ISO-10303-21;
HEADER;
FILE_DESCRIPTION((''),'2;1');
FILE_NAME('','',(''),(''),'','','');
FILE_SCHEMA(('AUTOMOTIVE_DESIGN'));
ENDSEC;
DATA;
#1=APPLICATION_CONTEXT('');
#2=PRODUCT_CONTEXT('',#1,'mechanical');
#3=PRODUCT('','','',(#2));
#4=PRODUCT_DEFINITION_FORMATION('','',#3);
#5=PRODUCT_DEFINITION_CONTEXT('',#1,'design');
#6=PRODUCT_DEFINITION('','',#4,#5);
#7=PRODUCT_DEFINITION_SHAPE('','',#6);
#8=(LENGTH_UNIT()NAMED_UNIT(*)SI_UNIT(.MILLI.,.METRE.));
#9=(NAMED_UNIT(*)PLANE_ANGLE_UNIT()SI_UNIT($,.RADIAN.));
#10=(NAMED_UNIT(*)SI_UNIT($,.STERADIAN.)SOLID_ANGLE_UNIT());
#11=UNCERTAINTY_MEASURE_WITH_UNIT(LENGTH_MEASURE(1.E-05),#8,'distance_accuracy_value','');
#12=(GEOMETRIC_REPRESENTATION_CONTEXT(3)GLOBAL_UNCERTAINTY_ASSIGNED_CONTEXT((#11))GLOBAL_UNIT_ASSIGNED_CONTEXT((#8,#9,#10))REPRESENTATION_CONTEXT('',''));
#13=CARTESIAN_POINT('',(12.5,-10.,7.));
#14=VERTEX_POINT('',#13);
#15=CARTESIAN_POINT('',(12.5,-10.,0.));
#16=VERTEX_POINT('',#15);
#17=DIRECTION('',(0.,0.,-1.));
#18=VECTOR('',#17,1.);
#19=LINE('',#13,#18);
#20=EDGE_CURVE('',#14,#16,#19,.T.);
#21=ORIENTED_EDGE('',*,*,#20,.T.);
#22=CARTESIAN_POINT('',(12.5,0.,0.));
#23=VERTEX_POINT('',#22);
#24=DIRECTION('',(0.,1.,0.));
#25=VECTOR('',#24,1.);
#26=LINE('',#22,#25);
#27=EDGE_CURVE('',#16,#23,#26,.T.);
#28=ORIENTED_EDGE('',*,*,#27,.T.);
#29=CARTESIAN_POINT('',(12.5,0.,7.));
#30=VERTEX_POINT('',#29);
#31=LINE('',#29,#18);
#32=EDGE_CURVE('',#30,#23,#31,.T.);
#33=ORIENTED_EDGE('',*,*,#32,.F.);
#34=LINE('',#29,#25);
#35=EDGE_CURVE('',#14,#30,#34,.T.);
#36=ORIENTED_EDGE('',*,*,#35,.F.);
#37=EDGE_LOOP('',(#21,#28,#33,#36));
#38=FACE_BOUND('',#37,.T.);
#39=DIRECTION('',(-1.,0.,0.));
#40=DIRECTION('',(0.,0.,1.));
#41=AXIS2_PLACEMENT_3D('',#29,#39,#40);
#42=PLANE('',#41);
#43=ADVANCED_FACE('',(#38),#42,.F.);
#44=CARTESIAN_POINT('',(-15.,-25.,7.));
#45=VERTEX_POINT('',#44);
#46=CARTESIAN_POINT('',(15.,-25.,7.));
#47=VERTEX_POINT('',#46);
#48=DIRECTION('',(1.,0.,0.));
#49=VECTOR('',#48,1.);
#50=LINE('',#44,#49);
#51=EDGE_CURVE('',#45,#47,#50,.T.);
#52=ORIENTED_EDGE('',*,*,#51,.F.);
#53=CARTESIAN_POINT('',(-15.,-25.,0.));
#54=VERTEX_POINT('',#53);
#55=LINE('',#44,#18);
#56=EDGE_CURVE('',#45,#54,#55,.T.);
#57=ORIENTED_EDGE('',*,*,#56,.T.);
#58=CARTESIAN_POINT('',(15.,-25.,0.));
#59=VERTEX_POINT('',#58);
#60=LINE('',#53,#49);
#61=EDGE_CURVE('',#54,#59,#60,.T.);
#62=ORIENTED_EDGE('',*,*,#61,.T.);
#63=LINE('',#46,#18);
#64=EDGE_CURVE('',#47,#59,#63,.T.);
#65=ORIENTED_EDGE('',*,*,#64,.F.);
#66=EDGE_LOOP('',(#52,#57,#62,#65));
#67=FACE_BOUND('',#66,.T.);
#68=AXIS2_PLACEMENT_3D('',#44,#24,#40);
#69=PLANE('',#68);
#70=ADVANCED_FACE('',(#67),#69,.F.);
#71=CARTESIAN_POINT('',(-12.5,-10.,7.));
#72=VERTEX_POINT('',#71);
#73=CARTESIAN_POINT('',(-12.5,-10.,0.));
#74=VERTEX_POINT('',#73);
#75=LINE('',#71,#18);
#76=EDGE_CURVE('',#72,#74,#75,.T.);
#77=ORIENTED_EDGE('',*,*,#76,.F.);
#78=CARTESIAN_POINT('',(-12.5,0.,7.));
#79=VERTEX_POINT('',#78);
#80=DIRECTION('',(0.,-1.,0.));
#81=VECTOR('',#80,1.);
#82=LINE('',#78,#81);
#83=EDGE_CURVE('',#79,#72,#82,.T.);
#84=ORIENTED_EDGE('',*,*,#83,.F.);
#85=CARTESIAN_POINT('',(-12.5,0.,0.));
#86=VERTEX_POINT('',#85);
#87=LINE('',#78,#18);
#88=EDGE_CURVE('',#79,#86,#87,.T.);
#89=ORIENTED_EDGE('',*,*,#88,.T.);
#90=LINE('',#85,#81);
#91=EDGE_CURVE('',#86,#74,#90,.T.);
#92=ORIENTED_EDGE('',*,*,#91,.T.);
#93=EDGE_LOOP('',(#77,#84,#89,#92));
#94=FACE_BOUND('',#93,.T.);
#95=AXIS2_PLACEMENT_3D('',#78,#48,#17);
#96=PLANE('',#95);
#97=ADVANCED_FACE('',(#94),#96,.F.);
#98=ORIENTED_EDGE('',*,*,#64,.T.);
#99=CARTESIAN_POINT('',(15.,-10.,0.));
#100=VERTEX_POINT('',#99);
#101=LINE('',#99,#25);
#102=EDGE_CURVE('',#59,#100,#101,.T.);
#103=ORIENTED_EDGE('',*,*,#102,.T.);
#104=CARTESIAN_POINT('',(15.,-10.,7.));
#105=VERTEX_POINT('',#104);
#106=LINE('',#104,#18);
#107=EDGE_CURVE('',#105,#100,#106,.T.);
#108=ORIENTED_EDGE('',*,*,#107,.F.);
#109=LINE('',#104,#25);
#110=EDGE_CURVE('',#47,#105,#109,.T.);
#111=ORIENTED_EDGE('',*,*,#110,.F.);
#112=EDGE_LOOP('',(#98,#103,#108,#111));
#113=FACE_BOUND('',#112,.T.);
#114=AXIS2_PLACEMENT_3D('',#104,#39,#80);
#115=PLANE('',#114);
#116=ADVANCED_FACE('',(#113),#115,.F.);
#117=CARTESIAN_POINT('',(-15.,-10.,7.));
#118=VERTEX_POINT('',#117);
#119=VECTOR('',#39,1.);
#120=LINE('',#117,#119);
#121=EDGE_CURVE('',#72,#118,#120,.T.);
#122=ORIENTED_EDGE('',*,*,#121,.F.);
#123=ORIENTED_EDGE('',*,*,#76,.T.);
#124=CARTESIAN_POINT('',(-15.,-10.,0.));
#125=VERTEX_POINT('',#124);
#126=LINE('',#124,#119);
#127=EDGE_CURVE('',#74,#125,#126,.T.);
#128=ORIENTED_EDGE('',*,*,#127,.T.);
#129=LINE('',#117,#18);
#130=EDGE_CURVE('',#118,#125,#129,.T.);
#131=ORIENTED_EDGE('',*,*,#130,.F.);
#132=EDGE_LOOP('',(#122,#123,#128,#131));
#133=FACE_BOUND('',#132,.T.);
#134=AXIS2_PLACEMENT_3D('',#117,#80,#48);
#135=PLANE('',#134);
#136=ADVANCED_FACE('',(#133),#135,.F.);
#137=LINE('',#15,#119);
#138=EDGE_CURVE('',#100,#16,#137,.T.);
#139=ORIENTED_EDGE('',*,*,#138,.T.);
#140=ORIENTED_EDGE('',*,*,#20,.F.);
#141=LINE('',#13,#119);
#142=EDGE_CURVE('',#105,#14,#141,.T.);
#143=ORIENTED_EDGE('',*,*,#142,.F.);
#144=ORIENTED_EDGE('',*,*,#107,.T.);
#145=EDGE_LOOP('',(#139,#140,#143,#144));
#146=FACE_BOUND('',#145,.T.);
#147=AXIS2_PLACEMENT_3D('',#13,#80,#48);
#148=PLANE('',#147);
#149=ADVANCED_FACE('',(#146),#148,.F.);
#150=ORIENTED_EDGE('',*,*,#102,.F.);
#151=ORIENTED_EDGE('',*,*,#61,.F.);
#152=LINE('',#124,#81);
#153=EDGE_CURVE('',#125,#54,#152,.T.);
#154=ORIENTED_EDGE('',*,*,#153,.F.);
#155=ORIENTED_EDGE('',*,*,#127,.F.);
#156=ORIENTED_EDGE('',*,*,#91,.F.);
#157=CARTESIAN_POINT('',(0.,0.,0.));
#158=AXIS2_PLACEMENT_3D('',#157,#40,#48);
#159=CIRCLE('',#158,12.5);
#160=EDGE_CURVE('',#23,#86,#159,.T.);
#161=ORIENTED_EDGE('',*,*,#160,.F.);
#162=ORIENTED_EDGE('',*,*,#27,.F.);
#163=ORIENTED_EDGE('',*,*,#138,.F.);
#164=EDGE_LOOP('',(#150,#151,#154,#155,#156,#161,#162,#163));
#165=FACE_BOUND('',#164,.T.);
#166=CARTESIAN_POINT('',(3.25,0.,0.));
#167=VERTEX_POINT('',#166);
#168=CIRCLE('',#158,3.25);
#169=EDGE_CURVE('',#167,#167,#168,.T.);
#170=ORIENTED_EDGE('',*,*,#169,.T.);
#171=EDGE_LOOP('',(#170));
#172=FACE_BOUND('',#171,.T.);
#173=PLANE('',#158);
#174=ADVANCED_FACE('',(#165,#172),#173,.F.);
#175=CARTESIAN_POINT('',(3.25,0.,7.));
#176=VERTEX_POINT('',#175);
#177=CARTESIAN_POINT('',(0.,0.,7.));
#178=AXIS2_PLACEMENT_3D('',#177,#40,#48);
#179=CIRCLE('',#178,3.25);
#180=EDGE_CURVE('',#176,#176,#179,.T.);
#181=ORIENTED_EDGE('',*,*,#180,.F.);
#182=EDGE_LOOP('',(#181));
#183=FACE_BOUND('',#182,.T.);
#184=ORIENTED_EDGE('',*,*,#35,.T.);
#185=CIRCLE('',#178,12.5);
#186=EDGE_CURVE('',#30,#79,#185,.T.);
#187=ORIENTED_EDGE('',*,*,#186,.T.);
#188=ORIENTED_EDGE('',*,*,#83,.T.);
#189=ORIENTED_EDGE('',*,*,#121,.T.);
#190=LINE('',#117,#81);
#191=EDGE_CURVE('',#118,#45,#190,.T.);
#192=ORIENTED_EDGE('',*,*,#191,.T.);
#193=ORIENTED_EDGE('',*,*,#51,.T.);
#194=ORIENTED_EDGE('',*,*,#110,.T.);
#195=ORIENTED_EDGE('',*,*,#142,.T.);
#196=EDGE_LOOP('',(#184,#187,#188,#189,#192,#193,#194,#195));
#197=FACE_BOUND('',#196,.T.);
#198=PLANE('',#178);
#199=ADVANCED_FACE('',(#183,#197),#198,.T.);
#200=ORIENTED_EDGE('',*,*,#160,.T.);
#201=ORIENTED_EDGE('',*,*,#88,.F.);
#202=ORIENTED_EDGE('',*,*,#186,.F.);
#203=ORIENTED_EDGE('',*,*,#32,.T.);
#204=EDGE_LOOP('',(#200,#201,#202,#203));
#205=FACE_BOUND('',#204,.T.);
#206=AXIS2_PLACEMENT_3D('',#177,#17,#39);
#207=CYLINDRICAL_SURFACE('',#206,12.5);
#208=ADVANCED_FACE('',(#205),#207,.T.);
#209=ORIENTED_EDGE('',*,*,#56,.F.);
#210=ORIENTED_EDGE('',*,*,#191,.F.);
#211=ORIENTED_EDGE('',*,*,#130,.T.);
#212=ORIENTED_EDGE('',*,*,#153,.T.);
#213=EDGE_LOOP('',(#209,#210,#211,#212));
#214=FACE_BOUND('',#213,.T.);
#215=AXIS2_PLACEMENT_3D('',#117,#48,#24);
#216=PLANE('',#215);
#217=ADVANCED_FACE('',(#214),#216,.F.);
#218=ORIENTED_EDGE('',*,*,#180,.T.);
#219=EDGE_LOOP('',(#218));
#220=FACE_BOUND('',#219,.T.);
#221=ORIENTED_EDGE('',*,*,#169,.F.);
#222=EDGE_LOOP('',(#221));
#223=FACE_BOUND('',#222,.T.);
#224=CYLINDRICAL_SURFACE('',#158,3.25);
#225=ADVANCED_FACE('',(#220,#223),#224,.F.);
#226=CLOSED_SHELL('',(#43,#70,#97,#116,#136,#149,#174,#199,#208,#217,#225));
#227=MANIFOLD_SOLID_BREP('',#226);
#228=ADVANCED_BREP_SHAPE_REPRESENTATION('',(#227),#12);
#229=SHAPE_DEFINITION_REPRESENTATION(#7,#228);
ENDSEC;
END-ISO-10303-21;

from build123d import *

# Parameters (mm, degrees)
Y_KSEKLIK_EKSTR_ZYON1_DEPTH = 7
IZIM4_R                     = 3.25
KES_EKSTR_ZYON1_DEPTH       = 30.983328701


with BuildPart() as part:
    # Çizim1 → Yükseklik-Ekstrüzyon1 (new body)
    with BuildSketch(Plane.XY):
        with BuildLine():
            Line((-12.5, 0), (-12.5, -10))
            Line((-12.5, -10), (-15, -10))
            Line((-15, -10), (-15, -25))
            Line((-15, -25), (15, -25))
            Line((15, -25), (15, -10))
            Line((15, -10), (12.5, -10))
            Line((12.5, -10), (12.5, 0))
            ThreePointArc((12.5, 0), (0, 12.5), (-12.5, 0))
        make_face()
    extrude(amount=Y_KSEKLIK_EKSTR_ZYON1_DEPTH)

    # Çizim4 → Kes-Ekstrüzyon1 (cut, through all)
    with BuildSketch(Plane.XY.offset(7)):
        Circle(IZIM4_R)
    extrude(amount=-KES_EKSTR_ZYON1_DEPTH, mode=Mode.SUBTRACT)


solid = part.part
